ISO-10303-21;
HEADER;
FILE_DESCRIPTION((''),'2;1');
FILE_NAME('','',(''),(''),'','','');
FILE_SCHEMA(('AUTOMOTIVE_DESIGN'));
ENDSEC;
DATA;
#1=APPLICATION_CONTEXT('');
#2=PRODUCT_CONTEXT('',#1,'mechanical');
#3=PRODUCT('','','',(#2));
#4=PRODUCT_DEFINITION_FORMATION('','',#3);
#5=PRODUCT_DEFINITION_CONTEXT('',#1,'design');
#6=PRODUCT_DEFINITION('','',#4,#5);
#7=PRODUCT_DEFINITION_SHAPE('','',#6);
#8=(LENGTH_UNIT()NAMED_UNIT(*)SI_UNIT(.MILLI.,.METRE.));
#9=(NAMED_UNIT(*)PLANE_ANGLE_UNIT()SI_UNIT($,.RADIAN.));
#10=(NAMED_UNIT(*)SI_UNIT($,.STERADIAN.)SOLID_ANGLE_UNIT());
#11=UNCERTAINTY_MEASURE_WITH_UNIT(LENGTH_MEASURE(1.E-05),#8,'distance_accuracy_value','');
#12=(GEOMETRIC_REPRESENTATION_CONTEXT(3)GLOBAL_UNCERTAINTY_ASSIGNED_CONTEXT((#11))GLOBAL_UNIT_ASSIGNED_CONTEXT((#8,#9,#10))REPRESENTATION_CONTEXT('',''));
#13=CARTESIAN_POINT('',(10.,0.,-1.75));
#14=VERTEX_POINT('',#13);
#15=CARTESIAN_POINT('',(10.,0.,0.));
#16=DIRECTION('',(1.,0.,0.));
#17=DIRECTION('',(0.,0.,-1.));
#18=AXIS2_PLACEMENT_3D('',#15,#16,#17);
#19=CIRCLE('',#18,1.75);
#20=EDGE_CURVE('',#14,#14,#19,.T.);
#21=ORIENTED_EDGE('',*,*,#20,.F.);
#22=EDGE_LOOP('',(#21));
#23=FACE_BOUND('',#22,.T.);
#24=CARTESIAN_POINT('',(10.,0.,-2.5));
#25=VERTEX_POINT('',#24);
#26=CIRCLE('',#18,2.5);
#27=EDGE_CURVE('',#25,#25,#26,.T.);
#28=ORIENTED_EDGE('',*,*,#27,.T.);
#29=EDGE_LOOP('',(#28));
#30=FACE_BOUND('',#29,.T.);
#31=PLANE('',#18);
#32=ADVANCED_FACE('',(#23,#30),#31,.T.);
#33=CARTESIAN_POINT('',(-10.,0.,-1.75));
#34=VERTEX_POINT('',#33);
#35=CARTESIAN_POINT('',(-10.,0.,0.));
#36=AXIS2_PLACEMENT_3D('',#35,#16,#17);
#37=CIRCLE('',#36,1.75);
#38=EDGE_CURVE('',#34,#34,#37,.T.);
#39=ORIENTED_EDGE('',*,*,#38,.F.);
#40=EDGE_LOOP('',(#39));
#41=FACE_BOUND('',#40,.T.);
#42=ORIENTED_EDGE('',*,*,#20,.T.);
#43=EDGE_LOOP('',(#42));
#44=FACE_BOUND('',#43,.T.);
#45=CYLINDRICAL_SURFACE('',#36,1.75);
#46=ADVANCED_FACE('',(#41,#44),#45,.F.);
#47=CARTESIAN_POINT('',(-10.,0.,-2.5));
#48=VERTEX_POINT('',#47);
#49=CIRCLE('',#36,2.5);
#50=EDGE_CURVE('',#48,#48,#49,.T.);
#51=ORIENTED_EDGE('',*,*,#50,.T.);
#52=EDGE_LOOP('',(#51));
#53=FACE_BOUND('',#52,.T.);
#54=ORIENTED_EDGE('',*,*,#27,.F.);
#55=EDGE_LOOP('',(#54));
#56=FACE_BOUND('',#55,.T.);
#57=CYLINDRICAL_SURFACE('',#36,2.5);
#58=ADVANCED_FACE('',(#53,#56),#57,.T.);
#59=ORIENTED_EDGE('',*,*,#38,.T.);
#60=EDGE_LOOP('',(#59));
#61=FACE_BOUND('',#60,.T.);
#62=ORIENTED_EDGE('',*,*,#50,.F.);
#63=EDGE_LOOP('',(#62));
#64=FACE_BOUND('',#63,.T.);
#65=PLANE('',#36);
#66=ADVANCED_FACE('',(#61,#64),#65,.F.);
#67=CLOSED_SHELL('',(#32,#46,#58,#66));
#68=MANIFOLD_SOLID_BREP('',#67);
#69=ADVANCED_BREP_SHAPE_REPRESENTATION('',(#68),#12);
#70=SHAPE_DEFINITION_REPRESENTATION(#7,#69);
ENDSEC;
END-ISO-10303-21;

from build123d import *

# Parameters (mm, degrees)
SALIENTE_EXTRUIR1_DEPTH      = 10
SALIENTE_EXTRUIR1_DEPTH_BACK = 10
CROQUIS1_R                   = 2.5
CROQUIS1_R_2                 = 1.75


with BuildPart() as part:
    # Croquis1 → Saliente-Extruir1 (new, two sides: drawn at the far end of the back side and taken through both)
    with BuildSketch(Plane(origin=(0, 0, 0), x_dir=(0, 0, -1), z_dir=(1, 0, 0)).offset(-SALIENTE_EXTRUIR1_DEPTH_BACK)):
        Circle(CROQUIS1_R)
        Circle(CROQUIS1_R_2, mode=Mode.SUBTRACT)
    extrude(amount=SALIENTE_EXTRUIR1_DEPTH + SALIENTE_EXTRUIR1_DEPTH_BACK)


solid = part.part
